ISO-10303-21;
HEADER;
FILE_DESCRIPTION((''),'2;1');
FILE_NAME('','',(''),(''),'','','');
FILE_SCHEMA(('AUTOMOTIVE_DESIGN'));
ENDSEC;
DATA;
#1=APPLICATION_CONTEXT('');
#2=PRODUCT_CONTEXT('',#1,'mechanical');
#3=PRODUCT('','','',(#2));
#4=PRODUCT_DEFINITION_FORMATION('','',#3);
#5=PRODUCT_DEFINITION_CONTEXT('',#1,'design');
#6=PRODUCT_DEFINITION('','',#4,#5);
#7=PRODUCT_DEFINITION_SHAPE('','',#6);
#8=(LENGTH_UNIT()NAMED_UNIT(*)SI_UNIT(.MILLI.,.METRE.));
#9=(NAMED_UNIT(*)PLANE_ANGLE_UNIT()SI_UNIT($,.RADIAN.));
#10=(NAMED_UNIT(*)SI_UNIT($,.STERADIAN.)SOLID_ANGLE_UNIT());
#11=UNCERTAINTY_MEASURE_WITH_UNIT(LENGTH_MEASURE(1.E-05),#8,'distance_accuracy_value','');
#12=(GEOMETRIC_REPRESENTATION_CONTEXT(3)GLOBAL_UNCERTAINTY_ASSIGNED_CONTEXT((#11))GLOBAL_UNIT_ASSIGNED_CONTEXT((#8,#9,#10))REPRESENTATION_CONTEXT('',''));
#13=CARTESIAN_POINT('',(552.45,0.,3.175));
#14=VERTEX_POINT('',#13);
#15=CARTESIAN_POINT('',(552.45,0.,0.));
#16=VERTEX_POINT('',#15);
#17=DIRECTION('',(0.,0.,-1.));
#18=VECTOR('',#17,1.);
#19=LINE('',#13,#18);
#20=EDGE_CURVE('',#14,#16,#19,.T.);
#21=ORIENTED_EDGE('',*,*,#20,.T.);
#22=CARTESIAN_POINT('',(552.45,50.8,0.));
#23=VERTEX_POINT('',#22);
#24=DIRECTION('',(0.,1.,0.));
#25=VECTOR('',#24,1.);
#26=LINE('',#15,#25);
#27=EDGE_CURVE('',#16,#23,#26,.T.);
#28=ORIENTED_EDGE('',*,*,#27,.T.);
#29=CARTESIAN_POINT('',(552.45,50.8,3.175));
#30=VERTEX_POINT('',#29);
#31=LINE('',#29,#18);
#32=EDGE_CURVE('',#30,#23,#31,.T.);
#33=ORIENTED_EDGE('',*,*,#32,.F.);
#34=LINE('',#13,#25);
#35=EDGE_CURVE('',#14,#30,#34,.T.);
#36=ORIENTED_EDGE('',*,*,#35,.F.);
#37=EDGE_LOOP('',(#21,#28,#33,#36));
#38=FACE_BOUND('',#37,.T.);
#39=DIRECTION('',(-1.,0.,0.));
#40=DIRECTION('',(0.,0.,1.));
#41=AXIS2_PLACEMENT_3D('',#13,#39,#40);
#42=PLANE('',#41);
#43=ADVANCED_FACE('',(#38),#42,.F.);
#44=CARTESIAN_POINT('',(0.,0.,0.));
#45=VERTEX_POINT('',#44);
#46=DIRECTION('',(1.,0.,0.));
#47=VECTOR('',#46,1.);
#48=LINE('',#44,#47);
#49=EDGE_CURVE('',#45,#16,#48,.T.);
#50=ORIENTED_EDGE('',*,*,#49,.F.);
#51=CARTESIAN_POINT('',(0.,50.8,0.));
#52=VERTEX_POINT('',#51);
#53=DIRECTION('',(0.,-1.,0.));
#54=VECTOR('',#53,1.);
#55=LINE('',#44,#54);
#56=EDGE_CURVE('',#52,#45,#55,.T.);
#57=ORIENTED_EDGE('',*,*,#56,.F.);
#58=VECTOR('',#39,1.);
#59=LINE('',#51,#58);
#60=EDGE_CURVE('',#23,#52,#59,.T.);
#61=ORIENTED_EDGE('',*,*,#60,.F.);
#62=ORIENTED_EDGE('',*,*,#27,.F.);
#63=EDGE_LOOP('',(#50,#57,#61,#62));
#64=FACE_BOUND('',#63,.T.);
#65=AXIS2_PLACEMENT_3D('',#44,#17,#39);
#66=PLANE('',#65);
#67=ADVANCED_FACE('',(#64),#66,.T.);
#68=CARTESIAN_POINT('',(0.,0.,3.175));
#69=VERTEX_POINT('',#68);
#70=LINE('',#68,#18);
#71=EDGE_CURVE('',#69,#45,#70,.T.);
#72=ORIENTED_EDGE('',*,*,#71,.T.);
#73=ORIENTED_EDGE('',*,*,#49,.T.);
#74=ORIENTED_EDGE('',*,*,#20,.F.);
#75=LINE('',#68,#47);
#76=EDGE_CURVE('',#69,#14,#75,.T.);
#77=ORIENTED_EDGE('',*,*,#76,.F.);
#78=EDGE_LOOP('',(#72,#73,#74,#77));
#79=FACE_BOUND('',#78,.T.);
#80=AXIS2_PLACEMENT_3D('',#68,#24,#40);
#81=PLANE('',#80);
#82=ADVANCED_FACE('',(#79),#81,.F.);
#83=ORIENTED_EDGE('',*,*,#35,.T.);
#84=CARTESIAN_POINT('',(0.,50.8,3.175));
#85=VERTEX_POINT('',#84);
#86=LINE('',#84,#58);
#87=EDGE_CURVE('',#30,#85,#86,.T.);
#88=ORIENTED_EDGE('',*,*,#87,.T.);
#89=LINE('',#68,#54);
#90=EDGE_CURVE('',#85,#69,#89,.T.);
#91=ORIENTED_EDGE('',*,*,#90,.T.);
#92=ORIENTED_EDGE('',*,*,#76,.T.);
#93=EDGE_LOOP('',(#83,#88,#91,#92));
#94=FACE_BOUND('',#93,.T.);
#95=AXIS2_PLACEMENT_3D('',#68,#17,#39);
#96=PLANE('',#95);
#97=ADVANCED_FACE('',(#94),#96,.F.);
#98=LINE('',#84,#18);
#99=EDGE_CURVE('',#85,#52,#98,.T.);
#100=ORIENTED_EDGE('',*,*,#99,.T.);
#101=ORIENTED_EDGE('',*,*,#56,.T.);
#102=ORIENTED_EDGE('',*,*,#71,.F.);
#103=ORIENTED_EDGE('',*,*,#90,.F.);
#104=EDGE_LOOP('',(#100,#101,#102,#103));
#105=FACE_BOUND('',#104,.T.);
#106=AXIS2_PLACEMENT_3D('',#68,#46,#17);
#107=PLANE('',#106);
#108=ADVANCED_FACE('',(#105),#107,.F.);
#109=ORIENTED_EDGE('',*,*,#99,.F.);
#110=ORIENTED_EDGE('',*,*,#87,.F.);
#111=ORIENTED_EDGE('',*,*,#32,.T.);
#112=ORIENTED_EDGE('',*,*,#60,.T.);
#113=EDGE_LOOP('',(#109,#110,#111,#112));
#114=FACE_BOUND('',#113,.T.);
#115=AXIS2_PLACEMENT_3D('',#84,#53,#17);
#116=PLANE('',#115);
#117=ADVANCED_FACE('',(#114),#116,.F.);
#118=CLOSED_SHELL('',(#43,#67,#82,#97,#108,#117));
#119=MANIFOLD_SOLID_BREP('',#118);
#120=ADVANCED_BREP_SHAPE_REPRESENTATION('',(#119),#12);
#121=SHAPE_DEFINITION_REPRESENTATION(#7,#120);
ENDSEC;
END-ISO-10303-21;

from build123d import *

# Parameters (mm, degrees)
SKETCH1_W           = 552.45
SKETCH1_H           = 50.8
BOSS_EXTRUDE1_DEPTH = 3.175


with BuildPart() as part:
    # Sketch1 → Boss-Extrude1 (new body)
    with BuildSketch(Plane.XY):
        with Locations((276.225, 25.4)):
            Rectangle(SKETCH1_W, SKETCH1_H)
    extrude(amount=BOSS_EXTRUDE1_DEPTH)


solid = part.part
